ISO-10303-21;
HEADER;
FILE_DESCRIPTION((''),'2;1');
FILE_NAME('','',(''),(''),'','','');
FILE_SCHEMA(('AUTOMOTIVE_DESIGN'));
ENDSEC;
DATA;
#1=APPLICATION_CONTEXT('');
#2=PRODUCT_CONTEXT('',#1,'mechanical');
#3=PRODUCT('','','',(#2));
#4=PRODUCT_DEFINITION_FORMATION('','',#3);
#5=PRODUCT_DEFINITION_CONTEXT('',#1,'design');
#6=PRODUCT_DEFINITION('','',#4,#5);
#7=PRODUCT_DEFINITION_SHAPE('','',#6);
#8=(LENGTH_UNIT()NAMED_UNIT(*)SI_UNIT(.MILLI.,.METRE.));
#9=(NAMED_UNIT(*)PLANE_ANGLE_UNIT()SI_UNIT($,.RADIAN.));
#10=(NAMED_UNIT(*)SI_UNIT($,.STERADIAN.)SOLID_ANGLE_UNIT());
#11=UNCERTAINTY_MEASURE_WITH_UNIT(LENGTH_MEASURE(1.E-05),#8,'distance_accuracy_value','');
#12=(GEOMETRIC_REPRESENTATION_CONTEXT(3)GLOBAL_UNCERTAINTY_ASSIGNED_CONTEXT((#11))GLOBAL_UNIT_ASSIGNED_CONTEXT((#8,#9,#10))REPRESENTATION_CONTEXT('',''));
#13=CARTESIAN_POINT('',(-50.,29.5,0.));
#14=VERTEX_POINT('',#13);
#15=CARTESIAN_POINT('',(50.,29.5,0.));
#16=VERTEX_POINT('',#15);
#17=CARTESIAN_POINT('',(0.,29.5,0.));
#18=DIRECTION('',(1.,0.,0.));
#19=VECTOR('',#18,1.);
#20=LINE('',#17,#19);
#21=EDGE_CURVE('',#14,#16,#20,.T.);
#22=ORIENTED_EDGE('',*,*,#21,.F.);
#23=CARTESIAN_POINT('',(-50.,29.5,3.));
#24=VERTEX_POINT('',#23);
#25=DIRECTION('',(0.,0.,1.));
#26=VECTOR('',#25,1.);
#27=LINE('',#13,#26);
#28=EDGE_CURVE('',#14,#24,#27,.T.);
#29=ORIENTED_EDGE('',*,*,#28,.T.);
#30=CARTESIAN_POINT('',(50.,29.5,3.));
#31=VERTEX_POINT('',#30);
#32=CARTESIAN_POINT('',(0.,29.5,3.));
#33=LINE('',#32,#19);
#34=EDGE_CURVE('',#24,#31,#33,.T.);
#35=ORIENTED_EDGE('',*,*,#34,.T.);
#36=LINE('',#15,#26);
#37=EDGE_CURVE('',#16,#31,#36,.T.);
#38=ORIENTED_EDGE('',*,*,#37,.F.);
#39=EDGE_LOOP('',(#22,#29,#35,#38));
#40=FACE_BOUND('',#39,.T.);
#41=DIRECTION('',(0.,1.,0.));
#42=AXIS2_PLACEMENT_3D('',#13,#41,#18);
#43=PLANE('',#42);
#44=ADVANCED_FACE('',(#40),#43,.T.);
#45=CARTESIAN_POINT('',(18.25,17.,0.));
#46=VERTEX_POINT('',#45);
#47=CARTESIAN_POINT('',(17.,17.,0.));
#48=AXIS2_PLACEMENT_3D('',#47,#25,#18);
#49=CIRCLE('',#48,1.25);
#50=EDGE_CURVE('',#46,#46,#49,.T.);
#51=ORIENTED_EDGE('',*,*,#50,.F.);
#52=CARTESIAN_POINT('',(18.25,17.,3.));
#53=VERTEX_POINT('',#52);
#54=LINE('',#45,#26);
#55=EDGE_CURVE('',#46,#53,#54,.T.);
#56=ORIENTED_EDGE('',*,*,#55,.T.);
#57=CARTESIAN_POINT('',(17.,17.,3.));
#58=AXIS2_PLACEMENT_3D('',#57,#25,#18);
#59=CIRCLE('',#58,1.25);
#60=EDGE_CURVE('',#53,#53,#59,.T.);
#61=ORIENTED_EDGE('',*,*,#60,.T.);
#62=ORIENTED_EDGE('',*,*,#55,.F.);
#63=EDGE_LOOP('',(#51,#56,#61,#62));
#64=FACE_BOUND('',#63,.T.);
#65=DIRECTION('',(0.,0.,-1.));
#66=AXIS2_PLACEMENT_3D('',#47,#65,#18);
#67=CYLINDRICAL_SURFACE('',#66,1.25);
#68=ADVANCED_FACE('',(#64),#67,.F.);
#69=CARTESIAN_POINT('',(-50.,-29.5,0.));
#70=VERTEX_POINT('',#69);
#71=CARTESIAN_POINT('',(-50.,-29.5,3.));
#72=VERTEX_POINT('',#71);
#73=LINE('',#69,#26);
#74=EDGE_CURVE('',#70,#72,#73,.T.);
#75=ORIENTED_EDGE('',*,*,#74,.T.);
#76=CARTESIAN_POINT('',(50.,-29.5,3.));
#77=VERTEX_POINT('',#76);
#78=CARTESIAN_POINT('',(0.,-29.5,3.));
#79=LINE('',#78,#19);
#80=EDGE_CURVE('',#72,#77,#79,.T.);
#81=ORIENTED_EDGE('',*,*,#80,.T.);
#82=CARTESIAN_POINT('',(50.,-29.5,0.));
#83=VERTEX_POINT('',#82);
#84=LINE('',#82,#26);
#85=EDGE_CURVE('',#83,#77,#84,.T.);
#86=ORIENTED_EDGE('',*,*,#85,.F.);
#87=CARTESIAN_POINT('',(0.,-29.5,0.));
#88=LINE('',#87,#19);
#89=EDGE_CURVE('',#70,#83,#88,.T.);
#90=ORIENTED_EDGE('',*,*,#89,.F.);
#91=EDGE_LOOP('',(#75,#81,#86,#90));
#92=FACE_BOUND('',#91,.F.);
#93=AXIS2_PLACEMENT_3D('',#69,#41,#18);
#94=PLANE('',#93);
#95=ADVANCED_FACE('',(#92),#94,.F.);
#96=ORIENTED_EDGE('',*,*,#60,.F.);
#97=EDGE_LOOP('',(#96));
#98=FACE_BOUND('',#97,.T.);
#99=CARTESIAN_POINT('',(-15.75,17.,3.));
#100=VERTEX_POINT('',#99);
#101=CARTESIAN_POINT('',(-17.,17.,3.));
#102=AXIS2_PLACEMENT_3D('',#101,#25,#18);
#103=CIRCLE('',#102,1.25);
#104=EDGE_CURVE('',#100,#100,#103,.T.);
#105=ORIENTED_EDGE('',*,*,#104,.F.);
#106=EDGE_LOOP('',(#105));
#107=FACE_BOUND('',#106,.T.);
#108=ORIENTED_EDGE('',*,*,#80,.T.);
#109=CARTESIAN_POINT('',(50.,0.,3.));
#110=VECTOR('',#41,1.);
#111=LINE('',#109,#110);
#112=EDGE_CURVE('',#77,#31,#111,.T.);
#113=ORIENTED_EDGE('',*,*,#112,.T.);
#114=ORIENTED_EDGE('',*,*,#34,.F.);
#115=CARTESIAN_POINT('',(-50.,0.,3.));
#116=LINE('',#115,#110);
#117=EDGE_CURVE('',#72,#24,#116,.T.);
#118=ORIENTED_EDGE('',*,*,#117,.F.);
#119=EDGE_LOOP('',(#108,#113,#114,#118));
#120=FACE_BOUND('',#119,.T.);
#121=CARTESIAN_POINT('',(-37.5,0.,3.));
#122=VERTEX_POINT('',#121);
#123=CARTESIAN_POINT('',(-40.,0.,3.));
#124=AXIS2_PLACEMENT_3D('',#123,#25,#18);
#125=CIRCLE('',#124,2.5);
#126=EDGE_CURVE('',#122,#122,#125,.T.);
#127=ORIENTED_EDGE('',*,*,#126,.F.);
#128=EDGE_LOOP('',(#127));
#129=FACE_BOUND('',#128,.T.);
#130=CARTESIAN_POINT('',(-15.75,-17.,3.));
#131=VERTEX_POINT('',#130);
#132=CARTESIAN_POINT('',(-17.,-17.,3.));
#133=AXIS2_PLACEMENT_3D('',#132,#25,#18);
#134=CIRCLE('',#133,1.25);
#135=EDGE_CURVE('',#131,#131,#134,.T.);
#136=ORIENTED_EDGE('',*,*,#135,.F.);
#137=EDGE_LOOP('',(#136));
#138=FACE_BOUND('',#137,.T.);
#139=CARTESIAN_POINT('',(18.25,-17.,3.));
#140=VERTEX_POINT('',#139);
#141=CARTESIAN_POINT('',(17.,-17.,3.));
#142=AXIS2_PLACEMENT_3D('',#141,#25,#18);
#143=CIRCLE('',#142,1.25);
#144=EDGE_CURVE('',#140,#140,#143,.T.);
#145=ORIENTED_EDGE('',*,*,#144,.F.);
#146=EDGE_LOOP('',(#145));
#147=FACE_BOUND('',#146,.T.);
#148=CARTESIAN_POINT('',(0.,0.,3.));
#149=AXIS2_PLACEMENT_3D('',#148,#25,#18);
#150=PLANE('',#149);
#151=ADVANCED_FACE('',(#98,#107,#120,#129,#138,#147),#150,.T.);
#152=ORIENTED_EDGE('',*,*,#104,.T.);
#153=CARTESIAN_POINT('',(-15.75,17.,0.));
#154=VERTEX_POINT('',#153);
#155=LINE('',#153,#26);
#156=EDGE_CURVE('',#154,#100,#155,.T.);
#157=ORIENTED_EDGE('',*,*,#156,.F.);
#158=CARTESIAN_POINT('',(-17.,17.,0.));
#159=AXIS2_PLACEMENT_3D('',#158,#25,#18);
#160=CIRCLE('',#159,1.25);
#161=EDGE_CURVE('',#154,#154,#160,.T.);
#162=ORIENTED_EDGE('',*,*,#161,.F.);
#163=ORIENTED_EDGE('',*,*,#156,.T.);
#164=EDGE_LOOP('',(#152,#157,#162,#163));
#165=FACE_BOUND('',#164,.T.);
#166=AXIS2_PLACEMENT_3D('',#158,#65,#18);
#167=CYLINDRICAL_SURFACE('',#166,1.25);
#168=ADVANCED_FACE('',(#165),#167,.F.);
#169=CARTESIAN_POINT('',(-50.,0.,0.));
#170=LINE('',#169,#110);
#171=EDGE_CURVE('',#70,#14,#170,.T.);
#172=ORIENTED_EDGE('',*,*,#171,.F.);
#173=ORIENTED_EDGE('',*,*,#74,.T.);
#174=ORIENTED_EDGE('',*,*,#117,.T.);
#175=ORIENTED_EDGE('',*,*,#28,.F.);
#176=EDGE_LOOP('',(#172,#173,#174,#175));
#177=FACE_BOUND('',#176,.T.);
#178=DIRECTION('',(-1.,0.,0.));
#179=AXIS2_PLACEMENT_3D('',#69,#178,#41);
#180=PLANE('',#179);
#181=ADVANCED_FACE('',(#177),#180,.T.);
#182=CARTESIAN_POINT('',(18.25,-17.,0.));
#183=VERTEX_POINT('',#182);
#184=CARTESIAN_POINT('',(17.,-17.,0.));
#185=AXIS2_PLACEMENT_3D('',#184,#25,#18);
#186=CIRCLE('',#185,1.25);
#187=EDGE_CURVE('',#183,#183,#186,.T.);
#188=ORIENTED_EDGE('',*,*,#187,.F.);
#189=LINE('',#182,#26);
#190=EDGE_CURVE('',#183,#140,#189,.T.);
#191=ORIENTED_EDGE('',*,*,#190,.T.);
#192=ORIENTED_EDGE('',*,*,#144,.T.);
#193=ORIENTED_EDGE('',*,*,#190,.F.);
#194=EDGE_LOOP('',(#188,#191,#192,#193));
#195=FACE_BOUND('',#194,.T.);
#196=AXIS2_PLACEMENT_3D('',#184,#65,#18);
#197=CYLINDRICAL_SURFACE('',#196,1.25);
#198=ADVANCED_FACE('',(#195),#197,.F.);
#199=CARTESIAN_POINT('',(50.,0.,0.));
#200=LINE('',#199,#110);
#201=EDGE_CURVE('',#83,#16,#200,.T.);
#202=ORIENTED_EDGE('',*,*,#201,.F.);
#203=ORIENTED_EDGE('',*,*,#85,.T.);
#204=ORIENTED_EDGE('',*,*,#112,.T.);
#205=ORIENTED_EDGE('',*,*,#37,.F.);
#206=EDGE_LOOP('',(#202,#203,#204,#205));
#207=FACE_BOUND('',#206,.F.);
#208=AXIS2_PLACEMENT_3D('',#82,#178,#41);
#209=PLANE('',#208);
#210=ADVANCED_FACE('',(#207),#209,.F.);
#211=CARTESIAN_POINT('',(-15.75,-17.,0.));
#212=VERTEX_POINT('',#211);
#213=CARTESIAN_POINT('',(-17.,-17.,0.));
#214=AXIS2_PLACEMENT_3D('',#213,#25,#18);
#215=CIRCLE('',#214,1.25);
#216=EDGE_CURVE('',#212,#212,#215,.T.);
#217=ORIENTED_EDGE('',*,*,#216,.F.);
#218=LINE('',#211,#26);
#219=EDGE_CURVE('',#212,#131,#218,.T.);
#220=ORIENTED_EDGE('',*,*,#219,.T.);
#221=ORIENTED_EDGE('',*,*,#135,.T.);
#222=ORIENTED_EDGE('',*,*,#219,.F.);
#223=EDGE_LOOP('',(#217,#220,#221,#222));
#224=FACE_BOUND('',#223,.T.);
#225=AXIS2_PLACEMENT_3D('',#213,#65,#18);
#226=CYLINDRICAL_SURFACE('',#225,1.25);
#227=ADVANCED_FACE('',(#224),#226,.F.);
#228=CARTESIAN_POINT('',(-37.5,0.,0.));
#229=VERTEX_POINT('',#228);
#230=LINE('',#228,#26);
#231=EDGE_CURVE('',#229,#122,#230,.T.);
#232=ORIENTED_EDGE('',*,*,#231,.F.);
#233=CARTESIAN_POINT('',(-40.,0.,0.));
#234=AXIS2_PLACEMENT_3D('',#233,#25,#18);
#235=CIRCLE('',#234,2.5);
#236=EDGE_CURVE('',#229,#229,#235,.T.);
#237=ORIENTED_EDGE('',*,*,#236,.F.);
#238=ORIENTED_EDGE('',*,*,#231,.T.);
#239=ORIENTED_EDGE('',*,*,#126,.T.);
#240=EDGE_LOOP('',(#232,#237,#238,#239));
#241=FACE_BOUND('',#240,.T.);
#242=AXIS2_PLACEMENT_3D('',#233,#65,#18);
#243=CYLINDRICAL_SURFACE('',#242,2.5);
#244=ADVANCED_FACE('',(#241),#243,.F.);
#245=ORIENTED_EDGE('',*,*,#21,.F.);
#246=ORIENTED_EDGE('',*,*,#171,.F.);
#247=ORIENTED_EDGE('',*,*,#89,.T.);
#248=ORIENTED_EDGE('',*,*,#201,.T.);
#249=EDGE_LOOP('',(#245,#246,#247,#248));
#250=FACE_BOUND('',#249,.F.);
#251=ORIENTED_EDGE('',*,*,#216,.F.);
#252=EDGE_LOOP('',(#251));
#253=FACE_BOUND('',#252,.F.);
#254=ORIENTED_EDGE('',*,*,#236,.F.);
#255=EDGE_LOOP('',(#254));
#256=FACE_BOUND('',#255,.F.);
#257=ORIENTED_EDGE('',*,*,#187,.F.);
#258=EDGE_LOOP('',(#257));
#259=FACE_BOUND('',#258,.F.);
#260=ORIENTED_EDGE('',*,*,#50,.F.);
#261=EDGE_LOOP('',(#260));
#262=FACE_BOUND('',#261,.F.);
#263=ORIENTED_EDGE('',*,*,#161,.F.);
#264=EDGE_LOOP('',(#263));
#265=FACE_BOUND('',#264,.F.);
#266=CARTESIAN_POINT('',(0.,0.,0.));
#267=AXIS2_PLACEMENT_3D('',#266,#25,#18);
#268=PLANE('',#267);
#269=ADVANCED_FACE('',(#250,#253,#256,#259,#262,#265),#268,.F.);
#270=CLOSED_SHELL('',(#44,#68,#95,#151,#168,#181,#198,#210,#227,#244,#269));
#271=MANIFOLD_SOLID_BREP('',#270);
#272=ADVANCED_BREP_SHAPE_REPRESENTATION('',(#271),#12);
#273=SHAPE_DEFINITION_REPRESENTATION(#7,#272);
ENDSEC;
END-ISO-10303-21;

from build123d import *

# Parameters (mm, degrees)
F0_W     = 100
F0_H     = 59
F0_R     = 1.25
F0_R_2   = 2.5
F1_DEPTH = 3


with BuildPart() as f1:
    # F0 (on Top) → F1 (new body)
    with BuildSketch(Plane.XY):
        Rectangle(F0_W, F0_H)
        with Locations((-17, -17)):
            Circle(F0_R, mode=Mode.SUBTRACT)
        with Locations((17, -17)):
            Circle(F0_R, mode=Mode.SUBTRACT)
        with Locations((-40, 0)):
            Circle(F0_R_2, mode=Mode.SUBTRACT)
        with Locations((-17, 17)):
            Circle(F0_R, mode=Mode.SUBTRACT)
        with Locations((17, 17)):
            Circle(F0_R, mode=Mode.SUBTRACT)
    extrude(amount=F1_DEPTH)


solid = f1.part
